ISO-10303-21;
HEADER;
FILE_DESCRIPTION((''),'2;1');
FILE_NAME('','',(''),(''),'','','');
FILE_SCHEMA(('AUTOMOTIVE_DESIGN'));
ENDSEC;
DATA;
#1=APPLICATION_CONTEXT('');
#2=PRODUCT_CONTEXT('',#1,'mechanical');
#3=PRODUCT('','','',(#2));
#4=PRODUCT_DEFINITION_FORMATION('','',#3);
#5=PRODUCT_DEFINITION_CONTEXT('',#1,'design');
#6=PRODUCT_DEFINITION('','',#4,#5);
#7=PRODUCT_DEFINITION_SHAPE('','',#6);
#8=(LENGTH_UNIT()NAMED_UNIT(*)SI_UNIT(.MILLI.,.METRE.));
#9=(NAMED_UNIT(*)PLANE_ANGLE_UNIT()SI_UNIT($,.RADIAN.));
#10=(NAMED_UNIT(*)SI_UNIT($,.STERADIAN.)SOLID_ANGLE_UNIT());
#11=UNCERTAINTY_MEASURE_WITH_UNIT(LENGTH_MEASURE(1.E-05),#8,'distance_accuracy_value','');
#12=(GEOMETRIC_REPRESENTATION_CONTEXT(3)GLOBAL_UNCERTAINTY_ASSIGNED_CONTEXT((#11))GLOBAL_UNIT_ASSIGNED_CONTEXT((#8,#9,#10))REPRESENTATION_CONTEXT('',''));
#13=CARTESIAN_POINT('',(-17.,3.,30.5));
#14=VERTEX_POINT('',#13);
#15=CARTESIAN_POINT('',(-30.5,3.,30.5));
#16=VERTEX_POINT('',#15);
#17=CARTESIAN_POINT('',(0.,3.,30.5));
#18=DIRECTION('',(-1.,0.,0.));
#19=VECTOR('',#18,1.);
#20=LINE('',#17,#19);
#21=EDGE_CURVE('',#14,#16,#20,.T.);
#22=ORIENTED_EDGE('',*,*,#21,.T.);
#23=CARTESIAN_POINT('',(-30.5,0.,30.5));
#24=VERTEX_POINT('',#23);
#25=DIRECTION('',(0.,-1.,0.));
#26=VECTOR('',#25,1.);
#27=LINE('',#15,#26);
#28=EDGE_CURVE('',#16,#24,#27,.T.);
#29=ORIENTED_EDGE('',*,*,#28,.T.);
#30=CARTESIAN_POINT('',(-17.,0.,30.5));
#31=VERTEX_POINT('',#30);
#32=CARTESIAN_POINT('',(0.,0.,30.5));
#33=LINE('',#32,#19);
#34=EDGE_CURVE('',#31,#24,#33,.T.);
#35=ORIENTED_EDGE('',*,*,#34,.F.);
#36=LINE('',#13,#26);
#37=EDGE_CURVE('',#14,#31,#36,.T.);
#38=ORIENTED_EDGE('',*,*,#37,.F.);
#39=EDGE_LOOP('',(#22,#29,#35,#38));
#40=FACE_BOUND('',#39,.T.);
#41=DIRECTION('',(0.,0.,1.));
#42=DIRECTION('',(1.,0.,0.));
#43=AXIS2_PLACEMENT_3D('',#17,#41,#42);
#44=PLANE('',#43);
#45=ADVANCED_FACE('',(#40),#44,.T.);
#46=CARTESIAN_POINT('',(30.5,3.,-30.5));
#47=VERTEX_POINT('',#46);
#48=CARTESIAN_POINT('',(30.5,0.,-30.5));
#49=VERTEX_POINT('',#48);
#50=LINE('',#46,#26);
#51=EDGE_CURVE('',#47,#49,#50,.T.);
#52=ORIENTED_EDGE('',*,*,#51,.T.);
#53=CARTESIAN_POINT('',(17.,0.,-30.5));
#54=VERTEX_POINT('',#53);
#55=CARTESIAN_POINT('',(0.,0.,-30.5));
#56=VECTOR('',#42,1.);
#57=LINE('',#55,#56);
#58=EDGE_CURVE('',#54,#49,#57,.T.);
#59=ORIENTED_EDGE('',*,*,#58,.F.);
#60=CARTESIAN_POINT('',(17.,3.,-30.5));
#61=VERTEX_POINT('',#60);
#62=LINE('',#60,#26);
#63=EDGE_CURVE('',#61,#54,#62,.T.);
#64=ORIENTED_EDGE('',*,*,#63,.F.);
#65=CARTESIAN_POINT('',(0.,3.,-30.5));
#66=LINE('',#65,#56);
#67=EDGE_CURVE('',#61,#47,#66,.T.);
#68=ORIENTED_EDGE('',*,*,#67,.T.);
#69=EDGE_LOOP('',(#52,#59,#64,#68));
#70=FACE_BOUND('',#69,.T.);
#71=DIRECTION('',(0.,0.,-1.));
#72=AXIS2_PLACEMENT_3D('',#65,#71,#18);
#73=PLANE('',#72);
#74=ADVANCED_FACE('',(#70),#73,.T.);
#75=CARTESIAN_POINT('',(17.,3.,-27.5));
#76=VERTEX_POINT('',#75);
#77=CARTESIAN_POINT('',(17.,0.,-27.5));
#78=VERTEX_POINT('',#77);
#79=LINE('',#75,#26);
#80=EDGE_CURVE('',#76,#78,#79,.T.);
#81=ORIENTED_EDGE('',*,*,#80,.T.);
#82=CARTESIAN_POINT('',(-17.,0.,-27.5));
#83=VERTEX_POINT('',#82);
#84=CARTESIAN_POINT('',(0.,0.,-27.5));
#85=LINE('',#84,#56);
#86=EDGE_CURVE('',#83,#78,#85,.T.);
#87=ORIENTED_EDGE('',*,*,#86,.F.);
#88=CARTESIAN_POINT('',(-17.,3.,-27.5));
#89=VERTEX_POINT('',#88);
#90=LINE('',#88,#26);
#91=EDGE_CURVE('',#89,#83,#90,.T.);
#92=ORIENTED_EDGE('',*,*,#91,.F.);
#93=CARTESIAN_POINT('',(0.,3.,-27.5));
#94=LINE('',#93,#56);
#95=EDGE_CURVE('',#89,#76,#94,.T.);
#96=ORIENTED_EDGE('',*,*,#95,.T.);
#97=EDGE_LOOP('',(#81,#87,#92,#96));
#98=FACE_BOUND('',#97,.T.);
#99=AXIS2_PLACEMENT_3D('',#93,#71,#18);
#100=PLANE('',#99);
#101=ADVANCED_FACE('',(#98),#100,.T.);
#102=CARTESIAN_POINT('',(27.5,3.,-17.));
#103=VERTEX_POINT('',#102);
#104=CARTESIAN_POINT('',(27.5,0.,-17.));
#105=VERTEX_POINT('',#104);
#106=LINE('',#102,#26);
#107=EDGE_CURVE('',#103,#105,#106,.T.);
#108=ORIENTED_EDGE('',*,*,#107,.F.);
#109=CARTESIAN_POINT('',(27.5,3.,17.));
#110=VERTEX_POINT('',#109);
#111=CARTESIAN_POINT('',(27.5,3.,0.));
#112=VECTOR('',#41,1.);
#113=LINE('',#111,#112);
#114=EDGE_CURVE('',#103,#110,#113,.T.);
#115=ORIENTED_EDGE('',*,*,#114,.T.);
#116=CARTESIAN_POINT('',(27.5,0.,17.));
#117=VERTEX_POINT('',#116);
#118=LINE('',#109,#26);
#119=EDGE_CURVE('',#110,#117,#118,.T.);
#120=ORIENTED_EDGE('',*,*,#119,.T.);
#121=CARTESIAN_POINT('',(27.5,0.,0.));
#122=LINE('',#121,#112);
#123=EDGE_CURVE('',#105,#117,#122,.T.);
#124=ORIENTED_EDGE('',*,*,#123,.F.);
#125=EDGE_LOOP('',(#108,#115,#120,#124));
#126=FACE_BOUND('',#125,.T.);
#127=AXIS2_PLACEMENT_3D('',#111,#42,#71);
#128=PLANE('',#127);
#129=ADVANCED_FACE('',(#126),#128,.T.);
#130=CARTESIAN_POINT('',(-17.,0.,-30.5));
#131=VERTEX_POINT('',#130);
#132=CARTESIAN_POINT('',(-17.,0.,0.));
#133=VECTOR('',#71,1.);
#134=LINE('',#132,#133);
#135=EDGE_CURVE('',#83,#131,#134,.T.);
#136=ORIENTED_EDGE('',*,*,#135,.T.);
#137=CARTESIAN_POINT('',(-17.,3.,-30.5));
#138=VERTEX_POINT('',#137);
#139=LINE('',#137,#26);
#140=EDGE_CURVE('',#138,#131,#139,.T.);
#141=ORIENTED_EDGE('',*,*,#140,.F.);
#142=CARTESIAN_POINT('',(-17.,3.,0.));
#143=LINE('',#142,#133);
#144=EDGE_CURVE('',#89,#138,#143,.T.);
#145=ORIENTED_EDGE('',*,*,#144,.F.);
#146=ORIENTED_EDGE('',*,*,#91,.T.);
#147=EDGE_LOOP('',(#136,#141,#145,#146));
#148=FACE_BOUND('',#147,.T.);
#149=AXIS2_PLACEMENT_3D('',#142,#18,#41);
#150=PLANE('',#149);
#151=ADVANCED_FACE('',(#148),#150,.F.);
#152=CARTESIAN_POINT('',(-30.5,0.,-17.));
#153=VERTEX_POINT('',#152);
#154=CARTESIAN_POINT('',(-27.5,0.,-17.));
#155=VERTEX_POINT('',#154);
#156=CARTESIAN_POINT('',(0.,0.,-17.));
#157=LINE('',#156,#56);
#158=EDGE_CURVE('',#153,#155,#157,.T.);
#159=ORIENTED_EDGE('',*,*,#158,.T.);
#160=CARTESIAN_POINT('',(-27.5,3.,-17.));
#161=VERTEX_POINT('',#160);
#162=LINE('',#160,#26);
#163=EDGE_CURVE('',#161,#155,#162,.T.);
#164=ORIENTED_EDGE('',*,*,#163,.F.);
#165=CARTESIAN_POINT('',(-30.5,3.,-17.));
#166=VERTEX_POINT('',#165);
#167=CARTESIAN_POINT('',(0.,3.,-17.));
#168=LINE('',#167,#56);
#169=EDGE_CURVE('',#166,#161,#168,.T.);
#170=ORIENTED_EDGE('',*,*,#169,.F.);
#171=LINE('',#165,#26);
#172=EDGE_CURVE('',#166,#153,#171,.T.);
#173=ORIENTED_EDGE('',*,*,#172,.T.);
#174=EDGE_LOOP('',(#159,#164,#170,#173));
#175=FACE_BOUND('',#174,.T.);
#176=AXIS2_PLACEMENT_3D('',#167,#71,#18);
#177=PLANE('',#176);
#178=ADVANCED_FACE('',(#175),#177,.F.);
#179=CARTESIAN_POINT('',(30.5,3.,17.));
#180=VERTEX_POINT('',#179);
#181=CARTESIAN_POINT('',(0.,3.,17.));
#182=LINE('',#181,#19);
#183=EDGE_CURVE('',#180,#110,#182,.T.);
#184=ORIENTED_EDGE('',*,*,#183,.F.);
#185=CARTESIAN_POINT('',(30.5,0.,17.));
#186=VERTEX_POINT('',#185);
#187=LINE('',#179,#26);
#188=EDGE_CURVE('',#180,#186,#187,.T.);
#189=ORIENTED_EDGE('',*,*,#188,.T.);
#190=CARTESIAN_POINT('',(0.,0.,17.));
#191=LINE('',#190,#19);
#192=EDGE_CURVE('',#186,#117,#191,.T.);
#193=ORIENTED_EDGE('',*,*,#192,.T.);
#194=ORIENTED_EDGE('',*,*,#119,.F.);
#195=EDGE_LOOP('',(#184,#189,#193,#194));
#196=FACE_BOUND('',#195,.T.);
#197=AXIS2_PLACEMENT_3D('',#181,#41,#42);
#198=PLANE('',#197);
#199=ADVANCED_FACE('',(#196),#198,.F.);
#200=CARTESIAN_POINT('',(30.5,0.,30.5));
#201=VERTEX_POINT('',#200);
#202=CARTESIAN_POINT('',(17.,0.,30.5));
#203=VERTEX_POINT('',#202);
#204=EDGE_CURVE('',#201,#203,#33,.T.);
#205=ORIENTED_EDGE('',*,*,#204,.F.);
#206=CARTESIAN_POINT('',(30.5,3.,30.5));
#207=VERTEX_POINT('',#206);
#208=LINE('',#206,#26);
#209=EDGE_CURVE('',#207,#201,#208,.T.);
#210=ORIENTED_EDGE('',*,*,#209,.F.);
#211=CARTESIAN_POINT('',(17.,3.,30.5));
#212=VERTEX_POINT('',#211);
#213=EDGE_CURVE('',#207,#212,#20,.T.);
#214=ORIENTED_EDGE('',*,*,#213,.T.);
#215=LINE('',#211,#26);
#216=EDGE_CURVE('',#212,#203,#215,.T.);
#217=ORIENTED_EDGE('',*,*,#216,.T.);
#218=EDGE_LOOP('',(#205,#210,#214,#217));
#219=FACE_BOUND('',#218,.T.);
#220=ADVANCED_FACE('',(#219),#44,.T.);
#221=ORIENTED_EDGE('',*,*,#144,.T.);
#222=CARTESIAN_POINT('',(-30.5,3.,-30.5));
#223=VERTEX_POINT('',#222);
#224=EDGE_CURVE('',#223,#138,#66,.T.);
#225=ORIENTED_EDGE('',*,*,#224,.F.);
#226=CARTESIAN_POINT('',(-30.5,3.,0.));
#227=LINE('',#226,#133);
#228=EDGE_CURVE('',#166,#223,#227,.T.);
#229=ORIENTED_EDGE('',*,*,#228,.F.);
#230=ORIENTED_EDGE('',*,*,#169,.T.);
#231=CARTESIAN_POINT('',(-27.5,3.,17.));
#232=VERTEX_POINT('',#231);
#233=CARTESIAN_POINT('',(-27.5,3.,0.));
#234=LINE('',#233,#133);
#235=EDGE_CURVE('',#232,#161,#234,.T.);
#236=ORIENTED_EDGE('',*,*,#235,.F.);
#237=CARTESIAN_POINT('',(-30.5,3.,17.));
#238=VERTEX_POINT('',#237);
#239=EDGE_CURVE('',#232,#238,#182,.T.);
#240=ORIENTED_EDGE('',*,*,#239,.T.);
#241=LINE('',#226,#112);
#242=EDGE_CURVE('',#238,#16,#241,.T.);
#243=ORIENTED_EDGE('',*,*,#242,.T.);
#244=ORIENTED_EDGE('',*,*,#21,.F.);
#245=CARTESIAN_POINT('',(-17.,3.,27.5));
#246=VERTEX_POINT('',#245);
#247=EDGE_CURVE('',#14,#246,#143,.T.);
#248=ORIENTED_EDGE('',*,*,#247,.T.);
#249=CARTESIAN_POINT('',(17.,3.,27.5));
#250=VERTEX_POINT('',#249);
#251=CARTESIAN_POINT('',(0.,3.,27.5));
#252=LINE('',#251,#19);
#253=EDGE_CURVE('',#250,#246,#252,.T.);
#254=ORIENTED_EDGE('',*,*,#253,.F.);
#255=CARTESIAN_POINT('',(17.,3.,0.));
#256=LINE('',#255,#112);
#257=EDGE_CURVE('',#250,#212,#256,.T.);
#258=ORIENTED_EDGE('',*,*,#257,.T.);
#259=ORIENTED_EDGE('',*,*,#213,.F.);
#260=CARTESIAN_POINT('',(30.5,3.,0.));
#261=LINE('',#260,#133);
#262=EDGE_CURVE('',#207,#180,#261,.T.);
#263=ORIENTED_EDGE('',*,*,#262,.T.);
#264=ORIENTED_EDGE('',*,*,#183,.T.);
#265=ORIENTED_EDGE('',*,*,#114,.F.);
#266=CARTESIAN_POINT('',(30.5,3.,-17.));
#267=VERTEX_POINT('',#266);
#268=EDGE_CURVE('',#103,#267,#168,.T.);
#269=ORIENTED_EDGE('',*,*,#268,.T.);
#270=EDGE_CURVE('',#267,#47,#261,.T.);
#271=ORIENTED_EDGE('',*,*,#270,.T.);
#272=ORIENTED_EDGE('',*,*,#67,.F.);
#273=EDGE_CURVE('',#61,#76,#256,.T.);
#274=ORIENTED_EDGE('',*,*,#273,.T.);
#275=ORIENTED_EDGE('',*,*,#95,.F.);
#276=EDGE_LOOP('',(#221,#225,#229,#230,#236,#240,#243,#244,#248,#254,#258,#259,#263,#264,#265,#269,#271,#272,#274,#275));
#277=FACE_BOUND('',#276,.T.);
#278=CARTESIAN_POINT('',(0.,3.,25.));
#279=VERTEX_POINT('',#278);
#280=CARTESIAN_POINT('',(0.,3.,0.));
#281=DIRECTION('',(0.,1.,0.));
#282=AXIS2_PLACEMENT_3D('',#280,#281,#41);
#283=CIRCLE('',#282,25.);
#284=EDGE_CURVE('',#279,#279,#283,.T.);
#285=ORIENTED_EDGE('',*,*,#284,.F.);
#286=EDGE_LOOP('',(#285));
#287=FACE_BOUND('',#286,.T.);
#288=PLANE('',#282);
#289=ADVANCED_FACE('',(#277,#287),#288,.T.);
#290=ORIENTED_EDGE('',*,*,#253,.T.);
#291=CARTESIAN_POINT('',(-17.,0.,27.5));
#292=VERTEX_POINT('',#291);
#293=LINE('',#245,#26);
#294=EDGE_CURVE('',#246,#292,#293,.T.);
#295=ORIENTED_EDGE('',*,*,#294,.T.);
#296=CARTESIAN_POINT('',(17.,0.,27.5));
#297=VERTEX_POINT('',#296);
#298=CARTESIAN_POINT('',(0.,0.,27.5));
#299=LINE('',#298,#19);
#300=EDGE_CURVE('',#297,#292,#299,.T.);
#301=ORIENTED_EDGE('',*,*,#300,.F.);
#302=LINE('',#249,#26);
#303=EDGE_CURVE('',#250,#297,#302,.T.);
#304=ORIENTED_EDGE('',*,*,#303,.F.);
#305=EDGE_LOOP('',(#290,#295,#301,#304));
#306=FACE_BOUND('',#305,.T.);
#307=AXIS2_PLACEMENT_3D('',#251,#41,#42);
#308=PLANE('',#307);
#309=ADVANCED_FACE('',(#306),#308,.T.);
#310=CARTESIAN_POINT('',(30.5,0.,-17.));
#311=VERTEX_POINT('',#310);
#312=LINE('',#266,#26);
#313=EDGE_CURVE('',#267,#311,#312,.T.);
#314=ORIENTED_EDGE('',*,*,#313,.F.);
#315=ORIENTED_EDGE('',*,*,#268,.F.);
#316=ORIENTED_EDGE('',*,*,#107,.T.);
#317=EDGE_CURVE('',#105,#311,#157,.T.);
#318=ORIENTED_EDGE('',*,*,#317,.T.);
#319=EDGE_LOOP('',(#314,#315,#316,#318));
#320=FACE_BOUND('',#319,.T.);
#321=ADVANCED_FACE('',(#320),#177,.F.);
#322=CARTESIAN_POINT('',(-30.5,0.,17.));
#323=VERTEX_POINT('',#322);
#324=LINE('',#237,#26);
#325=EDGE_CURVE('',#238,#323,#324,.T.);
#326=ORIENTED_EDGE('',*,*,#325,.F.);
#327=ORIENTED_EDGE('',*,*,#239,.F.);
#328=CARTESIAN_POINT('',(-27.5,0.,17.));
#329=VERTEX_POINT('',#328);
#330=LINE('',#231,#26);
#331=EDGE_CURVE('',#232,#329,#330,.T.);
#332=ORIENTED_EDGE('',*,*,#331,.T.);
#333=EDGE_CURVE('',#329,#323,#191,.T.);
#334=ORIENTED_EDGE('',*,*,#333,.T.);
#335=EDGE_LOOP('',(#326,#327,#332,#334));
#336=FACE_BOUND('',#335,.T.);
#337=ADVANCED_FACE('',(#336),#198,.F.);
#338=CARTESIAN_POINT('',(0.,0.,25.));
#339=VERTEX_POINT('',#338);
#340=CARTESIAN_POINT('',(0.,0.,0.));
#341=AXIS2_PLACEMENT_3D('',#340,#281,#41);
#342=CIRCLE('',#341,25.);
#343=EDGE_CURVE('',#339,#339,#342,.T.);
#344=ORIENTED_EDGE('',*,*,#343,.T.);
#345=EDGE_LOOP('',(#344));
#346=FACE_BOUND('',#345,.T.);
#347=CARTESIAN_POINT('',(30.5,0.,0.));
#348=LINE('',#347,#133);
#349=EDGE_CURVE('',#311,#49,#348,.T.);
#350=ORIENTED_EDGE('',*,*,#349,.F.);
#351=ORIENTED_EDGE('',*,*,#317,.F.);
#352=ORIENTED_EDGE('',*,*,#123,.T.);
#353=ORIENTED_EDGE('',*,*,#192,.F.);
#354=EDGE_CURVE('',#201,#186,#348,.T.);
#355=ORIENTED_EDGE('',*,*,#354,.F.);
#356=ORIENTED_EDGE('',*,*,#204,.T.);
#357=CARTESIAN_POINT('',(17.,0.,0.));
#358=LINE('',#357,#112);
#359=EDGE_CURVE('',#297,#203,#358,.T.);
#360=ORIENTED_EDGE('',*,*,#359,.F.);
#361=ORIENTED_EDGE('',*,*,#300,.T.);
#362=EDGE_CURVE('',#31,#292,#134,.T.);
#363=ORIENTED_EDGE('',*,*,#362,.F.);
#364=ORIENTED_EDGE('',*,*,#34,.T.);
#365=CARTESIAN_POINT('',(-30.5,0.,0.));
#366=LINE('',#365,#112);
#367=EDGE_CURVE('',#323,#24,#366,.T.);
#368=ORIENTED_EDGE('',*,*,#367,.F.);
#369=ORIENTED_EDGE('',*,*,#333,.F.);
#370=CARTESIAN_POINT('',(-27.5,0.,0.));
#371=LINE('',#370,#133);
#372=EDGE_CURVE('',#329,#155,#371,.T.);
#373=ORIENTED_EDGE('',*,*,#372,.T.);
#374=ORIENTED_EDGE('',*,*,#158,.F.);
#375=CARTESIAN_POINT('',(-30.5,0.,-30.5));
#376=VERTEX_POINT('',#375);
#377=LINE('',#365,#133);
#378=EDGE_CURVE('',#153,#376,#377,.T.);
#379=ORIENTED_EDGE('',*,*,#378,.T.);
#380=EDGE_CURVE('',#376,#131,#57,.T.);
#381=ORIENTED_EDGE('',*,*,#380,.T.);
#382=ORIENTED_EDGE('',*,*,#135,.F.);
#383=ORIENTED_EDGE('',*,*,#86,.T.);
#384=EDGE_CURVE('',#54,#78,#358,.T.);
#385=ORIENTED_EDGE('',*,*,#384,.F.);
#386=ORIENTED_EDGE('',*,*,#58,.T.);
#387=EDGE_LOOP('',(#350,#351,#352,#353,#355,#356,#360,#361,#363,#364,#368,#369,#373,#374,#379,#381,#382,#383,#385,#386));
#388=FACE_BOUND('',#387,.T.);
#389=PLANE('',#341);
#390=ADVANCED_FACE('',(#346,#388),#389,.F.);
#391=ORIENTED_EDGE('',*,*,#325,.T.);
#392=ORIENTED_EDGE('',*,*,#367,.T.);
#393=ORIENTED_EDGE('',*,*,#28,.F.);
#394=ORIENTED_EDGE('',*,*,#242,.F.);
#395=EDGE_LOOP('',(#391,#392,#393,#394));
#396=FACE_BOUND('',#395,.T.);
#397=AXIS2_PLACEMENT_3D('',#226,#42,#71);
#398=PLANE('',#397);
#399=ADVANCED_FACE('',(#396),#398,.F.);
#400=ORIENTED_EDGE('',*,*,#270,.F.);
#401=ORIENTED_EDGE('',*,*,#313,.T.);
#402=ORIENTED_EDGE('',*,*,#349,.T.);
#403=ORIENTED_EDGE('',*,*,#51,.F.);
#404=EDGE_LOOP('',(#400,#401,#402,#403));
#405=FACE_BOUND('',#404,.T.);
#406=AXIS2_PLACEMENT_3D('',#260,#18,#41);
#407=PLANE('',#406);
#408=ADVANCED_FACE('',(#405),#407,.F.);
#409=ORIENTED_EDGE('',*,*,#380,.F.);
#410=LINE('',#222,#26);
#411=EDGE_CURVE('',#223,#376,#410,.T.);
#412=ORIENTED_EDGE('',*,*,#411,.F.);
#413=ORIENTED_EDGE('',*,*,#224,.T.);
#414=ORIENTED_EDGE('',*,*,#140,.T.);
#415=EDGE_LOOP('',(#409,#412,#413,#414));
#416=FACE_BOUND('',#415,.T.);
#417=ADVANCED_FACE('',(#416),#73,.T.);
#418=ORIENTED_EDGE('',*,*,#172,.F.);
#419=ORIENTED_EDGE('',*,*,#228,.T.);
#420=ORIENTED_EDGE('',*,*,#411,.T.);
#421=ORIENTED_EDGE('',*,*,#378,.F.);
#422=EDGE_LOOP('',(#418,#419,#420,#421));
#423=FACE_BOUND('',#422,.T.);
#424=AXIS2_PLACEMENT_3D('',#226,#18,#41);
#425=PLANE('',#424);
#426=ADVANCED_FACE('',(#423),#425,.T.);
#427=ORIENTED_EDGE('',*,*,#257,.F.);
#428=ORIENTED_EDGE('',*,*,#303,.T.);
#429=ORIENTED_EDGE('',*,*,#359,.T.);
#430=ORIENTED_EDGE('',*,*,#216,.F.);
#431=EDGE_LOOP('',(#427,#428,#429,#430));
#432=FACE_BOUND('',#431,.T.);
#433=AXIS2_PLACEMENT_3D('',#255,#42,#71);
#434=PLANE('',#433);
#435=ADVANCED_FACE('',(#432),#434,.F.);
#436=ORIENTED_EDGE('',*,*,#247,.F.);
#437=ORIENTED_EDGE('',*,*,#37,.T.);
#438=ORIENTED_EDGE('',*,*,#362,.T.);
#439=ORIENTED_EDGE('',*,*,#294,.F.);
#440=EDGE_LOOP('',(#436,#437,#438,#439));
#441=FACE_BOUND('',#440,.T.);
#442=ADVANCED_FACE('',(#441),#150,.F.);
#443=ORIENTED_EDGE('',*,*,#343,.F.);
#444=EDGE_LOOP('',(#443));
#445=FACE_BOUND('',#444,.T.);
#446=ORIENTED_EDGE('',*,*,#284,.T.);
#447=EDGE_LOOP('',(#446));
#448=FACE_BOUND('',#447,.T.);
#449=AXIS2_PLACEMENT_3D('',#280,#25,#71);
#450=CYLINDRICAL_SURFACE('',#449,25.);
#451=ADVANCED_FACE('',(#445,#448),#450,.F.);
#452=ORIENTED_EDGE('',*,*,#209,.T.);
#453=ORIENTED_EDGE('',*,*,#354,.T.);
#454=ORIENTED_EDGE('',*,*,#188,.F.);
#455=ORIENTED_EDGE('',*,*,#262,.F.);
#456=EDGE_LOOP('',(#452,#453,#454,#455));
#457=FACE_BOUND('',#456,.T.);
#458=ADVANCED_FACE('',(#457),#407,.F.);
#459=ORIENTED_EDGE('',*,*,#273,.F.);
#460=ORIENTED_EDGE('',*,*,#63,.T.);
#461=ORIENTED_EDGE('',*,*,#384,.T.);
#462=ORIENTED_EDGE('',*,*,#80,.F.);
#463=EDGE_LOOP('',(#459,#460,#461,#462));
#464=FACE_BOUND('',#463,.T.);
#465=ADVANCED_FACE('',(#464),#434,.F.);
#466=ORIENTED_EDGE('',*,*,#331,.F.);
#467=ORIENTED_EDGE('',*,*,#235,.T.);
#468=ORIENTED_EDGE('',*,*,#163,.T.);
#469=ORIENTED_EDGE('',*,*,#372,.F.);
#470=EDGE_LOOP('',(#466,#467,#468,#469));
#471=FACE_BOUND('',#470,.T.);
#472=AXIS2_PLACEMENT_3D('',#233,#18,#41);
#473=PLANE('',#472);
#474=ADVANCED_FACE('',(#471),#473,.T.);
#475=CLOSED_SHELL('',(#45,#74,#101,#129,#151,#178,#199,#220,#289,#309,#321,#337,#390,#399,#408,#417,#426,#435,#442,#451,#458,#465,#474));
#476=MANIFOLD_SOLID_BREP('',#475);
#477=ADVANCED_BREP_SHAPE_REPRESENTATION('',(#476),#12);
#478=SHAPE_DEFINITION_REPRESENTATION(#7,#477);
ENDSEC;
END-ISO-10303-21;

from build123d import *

# Parameters (mm, degrees)
CROQUIS1_R              = 25
SALIENTE_EXTRUIR1_DEPTH = 3


with BuildPart() as part:
    # Croquis1 → Saliente-Extruir1 (new body)
    with BuildSketch(Plane(origin=(0, 0, 0), x_dir=(1, 0, 0), z_dir=(0, 1, 0))):
        Polygon((-27.5, 0), (-27.5, 17), (-30.5, 17), (-30.5, 23.75), (-30.5, 30.5), (-23.75, 30.5), (-17, 30.5), (-17, 27.5), (0, 27.5), (17, 27.5), (17, 30.5), (23.75, 30.5), (30.5, 30.5), (30.5, 23.75), (30.5, 17), (27.5, 17), (27.5, 0), (27.5, -17), (30.5, -17), (30.5, -30.5), (23.75, -30.5), (17, -30.5), (17, -27.5), (0, -27.5), (-17, -27.5), (-17, -30.5), (-23.75, -30.5), (-30.5, -30.5), (-30.5, -23.75), (-30.5, -17), (-27.5, -17), align=None)
        with Locations(Location((0, 0, 0), (0, 0, 270))):
            Circle(CROQUIS1_R, mode=Mode.SUBTRACT)
    extrude(amount=SALIENTE_EXTRUIR1_DEPTH)


solid = part.part
